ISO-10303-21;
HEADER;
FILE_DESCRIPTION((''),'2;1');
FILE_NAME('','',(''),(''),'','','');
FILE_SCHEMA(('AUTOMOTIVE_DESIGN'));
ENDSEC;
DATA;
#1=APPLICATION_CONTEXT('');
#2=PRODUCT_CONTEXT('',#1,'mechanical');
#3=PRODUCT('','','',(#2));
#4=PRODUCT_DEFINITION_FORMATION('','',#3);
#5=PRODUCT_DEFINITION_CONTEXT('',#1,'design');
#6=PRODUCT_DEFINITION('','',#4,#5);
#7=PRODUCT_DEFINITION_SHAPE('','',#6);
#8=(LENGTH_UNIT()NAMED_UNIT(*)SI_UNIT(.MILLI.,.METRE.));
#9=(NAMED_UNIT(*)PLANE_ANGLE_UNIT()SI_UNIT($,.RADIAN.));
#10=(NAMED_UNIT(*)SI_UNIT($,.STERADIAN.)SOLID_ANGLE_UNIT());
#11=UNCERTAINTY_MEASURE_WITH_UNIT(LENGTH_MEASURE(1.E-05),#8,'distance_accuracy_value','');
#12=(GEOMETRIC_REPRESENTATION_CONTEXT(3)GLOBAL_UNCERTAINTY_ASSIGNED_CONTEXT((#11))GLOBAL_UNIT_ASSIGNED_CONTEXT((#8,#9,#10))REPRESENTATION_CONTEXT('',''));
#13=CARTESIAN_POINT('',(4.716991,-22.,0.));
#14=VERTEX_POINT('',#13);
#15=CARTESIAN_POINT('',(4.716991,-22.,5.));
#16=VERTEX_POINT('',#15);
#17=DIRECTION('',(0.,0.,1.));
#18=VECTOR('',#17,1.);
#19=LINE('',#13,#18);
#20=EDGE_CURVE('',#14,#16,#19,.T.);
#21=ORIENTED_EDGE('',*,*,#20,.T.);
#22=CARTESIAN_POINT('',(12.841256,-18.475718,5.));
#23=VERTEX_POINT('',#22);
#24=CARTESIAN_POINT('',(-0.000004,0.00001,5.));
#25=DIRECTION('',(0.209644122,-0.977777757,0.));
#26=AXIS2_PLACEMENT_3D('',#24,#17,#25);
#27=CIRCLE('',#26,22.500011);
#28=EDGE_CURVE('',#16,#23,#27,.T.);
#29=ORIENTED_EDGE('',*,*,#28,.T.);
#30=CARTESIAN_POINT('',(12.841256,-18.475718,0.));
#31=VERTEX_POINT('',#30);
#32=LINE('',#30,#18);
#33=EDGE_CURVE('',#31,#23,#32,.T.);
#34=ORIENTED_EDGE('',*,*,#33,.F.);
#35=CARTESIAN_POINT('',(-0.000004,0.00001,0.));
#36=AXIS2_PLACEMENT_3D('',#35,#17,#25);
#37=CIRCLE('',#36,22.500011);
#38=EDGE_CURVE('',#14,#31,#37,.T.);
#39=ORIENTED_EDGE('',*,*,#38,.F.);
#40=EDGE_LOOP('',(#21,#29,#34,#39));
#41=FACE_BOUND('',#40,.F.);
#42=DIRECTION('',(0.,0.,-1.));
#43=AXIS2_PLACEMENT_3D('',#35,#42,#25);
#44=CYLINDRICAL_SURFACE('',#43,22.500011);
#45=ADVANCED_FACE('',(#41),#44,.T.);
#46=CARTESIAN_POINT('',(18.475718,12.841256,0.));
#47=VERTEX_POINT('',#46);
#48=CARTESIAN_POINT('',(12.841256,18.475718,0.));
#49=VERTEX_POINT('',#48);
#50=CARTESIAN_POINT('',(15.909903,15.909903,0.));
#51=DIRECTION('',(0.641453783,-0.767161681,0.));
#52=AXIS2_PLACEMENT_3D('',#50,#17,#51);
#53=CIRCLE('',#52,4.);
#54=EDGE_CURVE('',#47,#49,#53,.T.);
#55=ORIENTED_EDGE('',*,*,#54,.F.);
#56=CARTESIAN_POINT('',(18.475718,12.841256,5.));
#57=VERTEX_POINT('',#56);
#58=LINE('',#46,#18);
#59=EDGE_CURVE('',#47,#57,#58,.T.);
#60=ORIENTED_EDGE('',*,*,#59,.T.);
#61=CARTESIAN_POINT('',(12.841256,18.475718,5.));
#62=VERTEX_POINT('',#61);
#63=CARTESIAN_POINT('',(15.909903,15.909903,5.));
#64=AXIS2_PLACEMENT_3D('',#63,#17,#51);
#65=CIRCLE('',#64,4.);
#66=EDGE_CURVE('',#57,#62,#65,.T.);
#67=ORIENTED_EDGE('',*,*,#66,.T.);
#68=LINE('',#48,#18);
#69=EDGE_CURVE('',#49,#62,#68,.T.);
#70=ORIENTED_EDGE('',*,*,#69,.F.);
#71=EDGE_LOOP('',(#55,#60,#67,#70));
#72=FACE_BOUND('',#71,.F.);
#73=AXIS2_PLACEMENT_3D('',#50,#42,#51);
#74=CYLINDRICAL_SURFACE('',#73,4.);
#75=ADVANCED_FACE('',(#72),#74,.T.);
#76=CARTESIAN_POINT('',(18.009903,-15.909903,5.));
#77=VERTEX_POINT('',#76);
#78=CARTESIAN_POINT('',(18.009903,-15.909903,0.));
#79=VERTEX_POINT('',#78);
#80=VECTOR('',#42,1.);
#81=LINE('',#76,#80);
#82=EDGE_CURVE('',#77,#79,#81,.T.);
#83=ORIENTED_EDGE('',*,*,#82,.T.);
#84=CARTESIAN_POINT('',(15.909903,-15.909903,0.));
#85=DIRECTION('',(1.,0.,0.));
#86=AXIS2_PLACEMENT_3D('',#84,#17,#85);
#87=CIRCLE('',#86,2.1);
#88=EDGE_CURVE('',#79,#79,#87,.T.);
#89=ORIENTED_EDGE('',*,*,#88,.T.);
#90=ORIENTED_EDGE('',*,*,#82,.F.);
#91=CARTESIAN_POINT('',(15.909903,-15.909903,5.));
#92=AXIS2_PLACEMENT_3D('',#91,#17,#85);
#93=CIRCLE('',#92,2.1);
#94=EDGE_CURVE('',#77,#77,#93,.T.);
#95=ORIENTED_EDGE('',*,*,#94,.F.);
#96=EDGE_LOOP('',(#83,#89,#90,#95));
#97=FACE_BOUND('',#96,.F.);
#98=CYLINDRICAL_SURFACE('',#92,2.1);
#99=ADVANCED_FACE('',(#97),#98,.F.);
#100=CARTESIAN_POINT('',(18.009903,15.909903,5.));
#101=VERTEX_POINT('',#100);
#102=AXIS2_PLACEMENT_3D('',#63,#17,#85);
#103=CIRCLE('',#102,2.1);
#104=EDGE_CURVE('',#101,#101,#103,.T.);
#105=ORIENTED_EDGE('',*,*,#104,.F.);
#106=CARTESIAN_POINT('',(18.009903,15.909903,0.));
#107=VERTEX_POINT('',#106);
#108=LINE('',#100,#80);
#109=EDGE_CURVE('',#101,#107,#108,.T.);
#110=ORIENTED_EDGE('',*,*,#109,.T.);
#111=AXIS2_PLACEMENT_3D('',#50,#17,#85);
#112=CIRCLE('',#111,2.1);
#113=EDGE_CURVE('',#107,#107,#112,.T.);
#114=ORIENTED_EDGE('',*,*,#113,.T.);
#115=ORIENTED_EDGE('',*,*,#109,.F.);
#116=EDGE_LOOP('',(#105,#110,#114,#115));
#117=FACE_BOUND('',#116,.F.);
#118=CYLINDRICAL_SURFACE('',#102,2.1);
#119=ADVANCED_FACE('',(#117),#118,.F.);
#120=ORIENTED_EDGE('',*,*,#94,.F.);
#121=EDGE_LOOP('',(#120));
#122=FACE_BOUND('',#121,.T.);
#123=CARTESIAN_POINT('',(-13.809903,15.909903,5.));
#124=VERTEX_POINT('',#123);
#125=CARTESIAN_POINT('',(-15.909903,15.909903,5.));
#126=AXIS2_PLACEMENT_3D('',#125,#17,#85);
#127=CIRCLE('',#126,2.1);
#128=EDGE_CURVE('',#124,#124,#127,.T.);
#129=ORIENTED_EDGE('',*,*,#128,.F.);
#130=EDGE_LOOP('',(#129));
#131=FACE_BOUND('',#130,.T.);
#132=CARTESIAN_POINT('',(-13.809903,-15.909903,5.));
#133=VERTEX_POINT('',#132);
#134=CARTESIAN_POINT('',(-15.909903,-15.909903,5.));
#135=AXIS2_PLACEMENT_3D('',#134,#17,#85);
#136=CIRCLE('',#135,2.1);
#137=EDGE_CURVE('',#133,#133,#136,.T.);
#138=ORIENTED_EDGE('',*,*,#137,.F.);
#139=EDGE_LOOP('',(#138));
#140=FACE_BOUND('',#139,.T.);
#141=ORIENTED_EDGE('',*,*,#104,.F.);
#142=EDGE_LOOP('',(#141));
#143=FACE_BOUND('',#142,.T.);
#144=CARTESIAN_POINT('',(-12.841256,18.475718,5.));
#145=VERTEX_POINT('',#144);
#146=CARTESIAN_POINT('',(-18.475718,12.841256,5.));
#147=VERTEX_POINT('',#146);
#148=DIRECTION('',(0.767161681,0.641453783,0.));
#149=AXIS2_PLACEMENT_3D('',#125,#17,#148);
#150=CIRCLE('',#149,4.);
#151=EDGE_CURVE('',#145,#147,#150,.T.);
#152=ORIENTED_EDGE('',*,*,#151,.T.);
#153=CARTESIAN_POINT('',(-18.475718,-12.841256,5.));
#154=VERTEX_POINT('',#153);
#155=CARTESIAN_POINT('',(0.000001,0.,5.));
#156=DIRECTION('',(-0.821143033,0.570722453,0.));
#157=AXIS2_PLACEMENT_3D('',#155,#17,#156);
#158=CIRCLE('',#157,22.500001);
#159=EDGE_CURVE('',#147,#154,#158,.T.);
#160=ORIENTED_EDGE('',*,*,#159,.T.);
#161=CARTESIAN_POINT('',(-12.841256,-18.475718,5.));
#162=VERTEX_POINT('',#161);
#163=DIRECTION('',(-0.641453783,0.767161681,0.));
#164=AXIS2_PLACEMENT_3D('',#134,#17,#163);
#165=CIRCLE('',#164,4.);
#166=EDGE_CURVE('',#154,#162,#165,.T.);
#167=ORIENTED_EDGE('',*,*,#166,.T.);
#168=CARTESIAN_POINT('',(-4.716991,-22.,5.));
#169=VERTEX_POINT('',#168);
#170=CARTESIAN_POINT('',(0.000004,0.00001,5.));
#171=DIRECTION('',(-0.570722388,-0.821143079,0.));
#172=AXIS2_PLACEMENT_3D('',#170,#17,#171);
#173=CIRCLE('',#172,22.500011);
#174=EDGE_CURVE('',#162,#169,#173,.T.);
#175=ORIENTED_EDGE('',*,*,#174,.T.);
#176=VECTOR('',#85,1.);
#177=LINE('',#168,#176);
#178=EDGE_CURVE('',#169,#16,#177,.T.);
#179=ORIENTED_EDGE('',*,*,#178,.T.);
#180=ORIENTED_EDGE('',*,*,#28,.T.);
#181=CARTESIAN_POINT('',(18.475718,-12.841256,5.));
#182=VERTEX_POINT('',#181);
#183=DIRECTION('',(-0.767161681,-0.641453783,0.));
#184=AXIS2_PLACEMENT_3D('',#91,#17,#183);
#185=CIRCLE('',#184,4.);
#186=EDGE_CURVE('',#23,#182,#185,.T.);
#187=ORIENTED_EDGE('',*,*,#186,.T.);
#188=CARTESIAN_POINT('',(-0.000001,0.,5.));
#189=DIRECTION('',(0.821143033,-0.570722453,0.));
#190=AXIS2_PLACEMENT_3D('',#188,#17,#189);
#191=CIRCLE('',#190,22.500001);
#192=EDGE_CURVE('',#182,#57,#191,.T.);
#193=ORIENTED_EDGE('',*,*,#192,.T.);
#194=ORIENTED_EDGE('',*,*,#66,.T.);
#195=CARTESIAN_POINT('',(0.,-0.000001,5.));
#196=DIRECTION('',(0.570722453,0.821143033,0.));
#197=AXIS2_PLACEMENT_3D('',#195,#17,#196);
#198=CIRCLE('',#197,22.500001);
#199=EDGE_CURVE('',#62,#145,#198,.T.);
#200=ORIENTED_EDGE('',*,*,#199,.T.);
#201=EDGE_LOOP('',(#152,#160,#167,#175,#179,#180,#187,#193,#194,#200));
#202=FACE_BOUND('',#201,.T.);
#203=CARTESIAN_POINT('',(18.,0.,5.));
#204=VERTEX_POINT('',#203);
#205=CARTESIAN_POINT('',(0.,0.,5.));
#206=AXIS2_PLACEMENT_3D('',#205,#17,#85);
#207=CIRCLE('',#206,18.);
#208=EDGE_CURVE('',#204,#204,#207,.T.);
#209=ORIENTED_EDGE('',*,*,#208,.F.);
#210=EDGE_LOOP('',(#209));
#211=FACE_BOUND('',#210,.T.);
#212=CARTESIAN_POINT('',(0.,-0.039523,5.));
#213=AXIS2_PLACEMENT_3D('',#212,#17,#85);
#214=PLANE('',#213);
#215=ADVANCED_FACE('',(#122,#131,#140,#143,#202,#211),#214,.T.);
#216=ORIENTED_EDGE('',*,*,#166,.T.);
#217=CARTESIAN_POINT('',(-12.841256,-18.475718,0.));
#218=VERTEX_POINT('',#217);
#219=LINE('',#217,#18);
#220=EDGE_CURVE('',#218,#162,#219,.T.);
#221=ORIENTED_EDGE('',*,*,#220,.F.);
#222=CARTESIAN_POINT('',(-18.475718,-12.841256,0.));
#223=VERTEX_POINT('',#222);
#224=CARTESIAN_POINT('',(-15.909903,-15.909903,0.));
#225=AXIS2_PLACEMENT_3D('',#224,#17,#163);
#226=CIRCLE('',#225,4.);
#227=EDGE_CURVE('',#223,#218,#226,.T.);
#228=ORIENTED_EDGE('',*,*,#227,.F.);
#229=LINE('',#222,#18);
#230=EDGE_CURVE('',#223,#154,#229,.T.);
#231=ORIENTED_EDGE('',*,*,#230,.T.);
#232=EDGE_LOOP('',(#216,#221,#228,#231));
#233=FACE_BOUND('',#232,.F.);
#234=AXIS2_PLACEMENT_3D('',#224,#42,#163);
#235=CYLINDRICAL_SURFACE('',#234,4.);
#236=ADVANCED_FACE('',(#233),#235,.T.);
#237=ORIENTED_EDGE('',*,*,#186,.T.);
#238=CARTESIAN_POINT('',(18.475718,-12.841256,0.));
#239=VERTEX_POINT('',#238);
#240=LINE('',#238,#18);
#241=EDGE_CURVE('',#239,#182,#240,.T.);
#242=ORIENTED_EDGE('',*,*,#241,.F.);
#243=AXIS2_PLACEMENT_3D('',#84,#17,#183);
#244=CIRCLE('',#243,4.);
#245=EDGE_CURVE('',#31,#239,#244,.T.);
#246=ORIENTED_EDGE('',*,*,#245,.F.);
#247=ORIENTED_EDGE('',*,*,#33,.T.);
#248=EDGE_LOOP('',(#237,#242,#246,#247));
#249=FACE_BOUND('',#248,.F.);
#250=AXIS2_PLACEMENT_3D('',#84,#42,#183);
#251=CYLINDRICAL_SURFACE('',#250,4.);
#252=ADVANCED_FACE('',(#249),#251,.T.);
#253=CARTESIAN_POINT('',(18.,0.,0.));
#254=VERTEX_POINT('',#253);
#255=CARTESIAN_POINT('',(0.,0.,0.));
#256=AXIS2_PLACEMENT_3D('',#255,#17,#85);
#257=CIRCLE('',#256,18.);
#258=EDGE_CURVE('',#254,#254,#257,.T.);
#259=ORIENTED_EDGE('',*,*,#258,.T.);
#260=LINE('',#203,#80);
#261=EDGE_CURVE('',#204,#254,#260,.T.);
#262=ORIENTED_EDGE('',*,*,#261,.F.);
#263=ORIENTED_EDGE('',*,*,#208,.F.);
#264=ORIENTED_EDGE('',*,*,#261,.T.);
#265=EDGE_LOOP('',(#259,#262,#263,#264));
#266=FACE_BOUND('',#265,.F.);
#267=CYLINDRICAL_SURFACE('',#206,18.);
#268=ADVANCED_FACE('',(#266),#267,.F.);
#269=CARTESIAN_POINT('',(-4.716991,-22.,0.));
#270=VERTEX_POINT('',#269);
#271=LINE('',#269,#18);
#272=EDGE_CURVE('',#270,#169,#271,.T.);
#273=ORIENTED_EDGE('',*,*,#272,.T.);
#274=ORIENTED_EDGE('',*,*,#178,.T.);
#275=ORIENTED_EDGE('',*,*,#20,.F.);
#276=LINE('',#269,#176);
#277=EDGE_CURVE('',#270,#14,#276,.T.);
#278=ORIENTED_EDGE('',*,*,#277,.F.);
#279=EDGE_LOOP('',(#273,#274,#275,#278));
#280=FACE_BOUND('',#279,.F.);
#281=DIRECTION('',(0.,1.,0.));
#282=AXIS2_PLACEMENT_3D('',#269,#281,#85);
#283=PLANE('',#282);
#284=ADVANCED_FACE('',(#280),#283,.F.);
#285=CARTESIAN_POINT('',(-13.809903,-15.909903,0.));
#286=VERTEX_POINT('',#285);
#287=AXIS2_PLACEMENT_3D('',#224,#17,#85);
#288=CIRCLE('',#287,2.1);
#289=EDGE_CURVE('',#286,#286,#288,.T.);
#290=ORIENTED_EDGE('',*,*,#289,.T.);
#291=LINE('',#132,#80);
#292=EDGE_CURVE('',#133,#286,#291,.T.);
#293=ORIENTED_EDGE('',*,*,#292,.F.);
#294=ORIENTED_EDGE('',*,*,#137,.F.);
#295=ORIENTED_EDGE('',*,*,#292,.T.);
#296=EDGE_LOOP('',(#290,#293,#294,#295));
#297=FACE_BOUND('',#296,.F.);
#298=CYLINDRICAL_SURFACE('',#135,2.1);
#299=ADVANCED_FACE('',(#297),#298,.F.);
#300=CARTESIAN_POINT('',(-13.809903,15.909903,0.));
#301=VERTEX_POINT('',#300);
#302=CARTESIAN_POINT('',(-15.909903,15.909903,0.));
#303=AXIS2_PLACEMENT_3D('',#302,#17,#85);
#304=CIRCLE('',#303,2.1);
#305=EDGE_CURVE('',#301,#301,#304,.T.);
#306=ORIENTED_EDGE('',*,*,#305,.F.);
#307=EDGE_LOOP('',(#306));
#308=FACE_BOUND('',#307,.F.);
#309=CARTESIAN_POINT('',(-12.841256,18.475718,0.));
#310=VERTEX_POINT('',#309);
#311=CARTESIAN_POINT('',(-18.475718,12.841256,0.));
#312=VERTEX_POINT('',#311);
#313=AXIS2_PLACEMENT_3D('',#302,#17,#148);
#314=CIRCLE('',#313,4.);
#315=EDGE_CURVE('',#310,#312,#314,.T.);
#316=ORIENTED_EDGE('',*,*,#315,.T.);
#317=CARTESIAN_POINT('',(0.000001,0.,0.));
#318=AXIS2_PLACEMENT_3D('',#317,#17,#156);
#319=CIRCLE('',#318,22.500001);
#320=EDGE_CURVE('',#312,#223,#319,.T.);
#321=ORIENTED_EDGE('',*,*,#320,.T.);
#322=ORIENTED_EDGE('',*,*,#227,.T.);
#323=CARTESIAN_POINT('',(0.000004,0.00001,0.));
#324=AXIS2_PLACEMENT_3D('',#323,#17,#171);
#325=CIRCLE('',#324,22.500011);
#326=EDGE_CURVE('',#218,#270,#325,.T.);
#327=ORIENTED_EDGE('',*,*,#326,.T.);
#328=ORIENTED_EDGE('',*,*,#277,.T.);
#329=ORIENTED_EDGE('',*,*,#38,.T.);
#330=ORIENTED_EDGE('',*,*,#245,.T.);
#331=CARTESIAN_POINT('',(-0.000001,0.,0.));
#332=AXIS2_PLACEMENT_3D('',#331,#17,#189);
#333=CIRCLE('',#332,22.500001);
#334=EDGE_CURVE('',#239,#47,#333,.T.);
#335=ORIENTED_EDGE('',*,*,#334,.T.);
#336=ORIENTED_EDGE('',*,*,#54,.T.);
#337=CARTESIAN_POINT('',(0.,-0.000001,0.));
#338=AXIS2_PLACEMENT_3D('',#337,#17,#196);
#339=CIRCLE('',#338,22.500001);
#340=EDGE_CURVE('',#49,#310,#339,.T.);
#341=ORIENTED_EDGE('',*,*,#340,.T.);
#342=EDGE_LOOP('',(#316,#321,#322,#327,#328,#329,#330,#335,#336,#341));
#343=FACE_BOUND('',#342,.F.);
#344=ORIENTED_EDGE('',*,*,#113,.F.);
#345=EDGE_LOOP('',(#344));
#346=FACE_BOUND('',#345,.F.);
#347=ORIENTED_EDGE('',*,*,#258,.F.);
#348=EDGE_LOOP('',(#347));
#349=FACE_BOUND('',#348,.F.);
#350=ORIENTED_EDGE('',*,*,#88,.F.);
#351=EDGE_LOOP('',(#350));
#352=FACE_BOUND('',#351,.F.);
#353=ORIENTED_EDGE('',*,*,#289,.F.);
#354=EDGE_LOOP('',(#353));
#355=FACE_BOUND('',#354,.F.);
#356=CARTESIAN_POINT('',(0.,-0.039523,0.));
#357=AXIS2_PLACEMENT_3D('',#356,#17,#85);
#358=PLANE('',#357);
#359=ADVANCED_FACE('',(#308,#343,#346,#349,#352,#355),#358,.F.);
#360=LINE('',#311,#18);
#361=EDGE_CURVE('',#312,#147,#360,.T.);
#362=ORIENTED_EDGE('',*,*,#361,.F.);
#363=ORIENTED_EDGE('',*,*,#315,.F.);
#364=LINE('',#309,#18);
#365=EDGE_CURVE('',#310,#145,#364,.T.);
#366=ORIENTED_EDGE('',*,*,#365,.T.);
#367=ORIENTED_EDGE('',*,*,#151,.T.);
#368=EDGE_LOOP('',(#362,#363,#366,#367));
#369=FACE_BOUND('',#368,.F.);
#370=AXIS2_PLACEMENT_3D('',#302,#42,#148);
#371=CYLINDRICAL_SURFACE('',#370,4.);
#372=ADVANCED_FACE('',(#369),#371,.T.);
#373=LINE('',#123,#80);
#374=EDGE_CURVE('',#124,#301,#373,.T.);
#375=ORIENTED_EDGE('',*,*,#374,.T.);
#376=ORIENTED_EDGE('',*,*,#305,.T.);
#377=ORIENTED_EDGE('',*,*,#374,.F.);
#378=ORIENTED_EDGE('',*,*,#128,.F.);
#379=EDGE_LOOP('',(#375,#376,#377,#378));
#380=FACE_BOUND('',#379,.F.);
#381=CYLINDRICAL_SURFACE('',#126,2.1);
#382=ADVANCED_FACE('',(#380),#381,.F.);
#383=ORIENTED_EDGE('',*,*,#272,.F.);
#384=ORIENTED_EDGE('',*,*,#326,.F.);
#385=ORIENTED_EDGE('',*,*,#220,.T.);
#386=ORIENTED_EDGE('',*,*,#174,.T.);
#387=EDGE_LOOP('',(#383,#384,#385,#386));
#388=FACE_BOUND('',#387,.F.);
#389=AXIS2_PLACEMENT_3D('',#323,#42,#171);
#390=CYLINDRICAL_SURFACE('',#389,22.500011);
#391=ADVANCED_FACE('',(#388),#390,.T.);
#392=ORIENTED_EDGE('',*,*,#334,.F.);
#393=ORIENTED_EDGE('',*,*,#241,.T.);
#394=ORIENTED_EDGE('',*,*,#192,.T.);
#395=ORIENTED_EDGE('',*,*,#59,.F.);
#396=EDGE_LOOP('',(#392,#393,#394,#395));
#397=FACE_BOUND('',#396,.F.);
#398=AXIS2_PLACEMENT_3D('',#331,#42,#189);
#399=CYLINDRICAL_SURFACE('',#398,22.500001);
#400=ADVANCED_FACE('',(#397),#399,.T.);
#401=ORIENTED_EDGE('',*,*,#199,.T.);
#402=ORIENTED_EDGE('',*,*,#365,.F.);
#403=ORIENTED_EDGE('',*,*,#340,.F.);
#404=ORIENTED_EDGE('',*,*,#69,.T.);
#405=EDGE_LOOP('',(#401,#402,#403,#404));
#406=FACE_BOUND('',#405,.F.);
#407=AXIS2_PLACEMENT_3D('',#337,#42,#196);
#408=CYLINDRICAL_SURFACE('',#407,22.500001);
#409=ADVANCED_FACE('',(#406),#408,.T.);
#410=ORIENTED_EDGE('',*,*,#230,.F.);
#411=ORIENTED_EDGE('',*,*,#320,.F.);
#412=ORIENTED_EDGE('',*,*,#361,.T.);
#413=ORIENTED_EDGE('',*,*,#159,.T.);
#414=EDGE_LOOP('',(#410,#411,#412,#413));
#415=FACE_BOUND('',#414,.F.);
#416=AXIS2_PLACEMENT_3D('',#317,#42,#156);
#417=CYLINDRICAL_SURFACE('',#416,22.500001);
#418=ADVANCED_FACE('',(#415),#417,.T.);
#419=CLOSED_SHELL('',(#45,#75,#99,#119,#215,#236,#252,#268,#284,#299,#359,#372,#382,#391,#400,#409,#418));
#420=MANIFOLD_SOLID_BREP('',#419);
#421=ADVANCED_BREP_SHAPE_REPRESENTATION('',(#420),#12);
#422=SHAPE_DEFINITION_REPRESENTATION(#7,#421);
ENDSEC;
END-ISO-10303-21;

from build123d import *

# Parameters (mm, degrees)
F1_DEPTH = 5
F2_R     = 2.1
F3_DEPTH = 5.001
F4_R     = 18
F5_DEPTH = 5.001


with BuildPart() as f1:
    # F0 (on Top) → F1 (new body)
    with BuildSketch(Plane.XY):
        with BuildLine():
            ThreePointArc((18.475718, 12.841256), (18.73833, 18.73833), (12.841256, 18.475718))
            ThreePointArc((12.841256, 18.475718), (0, 22.5), (-12.841256, 18.475718))
            ThreePointArc((-12.841256, 18.475718), (-18.73833, 18.73833), (-18.475718, 12.841256))
            ThreePointArc((-18.475718, 12.841256), (-22.5, 0), (-18.475718, -12.841256))
            ThreePointArc((-18.475718, -12.841256), (-18.73833, -18.73833), (-12.841256, -18.475718))
            ThreePointArc((-12.841256, -18.475718), (-8.954225, -20.641508), (-4.716991, -22))
            Line((-4.716991, -22), (4.716991, -22))
            ThreePointArc((4.716991, -22), (8.954225, -20.641508), (12.841256, -18.475718))
            ThreePointArc((12.841256, -18.475718), (18.73833, -18.73833), (18.475718, -12.841256))
            ThreePointArc((18.475718, -12.841256), (22.5, 0), (18.475718, 12.841256))
        make_face()
    extrude(amount=F1_DEPTH)

    # F2 (on face) → F3 (cut, through all)
    with BuildSketch(Plane.XY.offset(5)):
        with Locations((-15.909903, 15.909903)):
            Circle(F2_R)
        with Locations((15.909903, 15.909903)):
            Circle(F2_R)
        with Locations((15.909903, -15.909903)):
            Circle(F2_R)
        with Locations((-15.909903, -15.909903)):
            Circle(F2_R)
    extrude(amount=-F3_DEPTH, mode=Mode.SUBTRACT)

    # F4 (on face) → F5 (cut, through all)
    with BuildSketch(Plane.XY.offset(5)):
        Circle(F4_R)
    extrude(amount=-F5_DEPTH, mode=Mode.SUBTRACT)


solid = f1.part
